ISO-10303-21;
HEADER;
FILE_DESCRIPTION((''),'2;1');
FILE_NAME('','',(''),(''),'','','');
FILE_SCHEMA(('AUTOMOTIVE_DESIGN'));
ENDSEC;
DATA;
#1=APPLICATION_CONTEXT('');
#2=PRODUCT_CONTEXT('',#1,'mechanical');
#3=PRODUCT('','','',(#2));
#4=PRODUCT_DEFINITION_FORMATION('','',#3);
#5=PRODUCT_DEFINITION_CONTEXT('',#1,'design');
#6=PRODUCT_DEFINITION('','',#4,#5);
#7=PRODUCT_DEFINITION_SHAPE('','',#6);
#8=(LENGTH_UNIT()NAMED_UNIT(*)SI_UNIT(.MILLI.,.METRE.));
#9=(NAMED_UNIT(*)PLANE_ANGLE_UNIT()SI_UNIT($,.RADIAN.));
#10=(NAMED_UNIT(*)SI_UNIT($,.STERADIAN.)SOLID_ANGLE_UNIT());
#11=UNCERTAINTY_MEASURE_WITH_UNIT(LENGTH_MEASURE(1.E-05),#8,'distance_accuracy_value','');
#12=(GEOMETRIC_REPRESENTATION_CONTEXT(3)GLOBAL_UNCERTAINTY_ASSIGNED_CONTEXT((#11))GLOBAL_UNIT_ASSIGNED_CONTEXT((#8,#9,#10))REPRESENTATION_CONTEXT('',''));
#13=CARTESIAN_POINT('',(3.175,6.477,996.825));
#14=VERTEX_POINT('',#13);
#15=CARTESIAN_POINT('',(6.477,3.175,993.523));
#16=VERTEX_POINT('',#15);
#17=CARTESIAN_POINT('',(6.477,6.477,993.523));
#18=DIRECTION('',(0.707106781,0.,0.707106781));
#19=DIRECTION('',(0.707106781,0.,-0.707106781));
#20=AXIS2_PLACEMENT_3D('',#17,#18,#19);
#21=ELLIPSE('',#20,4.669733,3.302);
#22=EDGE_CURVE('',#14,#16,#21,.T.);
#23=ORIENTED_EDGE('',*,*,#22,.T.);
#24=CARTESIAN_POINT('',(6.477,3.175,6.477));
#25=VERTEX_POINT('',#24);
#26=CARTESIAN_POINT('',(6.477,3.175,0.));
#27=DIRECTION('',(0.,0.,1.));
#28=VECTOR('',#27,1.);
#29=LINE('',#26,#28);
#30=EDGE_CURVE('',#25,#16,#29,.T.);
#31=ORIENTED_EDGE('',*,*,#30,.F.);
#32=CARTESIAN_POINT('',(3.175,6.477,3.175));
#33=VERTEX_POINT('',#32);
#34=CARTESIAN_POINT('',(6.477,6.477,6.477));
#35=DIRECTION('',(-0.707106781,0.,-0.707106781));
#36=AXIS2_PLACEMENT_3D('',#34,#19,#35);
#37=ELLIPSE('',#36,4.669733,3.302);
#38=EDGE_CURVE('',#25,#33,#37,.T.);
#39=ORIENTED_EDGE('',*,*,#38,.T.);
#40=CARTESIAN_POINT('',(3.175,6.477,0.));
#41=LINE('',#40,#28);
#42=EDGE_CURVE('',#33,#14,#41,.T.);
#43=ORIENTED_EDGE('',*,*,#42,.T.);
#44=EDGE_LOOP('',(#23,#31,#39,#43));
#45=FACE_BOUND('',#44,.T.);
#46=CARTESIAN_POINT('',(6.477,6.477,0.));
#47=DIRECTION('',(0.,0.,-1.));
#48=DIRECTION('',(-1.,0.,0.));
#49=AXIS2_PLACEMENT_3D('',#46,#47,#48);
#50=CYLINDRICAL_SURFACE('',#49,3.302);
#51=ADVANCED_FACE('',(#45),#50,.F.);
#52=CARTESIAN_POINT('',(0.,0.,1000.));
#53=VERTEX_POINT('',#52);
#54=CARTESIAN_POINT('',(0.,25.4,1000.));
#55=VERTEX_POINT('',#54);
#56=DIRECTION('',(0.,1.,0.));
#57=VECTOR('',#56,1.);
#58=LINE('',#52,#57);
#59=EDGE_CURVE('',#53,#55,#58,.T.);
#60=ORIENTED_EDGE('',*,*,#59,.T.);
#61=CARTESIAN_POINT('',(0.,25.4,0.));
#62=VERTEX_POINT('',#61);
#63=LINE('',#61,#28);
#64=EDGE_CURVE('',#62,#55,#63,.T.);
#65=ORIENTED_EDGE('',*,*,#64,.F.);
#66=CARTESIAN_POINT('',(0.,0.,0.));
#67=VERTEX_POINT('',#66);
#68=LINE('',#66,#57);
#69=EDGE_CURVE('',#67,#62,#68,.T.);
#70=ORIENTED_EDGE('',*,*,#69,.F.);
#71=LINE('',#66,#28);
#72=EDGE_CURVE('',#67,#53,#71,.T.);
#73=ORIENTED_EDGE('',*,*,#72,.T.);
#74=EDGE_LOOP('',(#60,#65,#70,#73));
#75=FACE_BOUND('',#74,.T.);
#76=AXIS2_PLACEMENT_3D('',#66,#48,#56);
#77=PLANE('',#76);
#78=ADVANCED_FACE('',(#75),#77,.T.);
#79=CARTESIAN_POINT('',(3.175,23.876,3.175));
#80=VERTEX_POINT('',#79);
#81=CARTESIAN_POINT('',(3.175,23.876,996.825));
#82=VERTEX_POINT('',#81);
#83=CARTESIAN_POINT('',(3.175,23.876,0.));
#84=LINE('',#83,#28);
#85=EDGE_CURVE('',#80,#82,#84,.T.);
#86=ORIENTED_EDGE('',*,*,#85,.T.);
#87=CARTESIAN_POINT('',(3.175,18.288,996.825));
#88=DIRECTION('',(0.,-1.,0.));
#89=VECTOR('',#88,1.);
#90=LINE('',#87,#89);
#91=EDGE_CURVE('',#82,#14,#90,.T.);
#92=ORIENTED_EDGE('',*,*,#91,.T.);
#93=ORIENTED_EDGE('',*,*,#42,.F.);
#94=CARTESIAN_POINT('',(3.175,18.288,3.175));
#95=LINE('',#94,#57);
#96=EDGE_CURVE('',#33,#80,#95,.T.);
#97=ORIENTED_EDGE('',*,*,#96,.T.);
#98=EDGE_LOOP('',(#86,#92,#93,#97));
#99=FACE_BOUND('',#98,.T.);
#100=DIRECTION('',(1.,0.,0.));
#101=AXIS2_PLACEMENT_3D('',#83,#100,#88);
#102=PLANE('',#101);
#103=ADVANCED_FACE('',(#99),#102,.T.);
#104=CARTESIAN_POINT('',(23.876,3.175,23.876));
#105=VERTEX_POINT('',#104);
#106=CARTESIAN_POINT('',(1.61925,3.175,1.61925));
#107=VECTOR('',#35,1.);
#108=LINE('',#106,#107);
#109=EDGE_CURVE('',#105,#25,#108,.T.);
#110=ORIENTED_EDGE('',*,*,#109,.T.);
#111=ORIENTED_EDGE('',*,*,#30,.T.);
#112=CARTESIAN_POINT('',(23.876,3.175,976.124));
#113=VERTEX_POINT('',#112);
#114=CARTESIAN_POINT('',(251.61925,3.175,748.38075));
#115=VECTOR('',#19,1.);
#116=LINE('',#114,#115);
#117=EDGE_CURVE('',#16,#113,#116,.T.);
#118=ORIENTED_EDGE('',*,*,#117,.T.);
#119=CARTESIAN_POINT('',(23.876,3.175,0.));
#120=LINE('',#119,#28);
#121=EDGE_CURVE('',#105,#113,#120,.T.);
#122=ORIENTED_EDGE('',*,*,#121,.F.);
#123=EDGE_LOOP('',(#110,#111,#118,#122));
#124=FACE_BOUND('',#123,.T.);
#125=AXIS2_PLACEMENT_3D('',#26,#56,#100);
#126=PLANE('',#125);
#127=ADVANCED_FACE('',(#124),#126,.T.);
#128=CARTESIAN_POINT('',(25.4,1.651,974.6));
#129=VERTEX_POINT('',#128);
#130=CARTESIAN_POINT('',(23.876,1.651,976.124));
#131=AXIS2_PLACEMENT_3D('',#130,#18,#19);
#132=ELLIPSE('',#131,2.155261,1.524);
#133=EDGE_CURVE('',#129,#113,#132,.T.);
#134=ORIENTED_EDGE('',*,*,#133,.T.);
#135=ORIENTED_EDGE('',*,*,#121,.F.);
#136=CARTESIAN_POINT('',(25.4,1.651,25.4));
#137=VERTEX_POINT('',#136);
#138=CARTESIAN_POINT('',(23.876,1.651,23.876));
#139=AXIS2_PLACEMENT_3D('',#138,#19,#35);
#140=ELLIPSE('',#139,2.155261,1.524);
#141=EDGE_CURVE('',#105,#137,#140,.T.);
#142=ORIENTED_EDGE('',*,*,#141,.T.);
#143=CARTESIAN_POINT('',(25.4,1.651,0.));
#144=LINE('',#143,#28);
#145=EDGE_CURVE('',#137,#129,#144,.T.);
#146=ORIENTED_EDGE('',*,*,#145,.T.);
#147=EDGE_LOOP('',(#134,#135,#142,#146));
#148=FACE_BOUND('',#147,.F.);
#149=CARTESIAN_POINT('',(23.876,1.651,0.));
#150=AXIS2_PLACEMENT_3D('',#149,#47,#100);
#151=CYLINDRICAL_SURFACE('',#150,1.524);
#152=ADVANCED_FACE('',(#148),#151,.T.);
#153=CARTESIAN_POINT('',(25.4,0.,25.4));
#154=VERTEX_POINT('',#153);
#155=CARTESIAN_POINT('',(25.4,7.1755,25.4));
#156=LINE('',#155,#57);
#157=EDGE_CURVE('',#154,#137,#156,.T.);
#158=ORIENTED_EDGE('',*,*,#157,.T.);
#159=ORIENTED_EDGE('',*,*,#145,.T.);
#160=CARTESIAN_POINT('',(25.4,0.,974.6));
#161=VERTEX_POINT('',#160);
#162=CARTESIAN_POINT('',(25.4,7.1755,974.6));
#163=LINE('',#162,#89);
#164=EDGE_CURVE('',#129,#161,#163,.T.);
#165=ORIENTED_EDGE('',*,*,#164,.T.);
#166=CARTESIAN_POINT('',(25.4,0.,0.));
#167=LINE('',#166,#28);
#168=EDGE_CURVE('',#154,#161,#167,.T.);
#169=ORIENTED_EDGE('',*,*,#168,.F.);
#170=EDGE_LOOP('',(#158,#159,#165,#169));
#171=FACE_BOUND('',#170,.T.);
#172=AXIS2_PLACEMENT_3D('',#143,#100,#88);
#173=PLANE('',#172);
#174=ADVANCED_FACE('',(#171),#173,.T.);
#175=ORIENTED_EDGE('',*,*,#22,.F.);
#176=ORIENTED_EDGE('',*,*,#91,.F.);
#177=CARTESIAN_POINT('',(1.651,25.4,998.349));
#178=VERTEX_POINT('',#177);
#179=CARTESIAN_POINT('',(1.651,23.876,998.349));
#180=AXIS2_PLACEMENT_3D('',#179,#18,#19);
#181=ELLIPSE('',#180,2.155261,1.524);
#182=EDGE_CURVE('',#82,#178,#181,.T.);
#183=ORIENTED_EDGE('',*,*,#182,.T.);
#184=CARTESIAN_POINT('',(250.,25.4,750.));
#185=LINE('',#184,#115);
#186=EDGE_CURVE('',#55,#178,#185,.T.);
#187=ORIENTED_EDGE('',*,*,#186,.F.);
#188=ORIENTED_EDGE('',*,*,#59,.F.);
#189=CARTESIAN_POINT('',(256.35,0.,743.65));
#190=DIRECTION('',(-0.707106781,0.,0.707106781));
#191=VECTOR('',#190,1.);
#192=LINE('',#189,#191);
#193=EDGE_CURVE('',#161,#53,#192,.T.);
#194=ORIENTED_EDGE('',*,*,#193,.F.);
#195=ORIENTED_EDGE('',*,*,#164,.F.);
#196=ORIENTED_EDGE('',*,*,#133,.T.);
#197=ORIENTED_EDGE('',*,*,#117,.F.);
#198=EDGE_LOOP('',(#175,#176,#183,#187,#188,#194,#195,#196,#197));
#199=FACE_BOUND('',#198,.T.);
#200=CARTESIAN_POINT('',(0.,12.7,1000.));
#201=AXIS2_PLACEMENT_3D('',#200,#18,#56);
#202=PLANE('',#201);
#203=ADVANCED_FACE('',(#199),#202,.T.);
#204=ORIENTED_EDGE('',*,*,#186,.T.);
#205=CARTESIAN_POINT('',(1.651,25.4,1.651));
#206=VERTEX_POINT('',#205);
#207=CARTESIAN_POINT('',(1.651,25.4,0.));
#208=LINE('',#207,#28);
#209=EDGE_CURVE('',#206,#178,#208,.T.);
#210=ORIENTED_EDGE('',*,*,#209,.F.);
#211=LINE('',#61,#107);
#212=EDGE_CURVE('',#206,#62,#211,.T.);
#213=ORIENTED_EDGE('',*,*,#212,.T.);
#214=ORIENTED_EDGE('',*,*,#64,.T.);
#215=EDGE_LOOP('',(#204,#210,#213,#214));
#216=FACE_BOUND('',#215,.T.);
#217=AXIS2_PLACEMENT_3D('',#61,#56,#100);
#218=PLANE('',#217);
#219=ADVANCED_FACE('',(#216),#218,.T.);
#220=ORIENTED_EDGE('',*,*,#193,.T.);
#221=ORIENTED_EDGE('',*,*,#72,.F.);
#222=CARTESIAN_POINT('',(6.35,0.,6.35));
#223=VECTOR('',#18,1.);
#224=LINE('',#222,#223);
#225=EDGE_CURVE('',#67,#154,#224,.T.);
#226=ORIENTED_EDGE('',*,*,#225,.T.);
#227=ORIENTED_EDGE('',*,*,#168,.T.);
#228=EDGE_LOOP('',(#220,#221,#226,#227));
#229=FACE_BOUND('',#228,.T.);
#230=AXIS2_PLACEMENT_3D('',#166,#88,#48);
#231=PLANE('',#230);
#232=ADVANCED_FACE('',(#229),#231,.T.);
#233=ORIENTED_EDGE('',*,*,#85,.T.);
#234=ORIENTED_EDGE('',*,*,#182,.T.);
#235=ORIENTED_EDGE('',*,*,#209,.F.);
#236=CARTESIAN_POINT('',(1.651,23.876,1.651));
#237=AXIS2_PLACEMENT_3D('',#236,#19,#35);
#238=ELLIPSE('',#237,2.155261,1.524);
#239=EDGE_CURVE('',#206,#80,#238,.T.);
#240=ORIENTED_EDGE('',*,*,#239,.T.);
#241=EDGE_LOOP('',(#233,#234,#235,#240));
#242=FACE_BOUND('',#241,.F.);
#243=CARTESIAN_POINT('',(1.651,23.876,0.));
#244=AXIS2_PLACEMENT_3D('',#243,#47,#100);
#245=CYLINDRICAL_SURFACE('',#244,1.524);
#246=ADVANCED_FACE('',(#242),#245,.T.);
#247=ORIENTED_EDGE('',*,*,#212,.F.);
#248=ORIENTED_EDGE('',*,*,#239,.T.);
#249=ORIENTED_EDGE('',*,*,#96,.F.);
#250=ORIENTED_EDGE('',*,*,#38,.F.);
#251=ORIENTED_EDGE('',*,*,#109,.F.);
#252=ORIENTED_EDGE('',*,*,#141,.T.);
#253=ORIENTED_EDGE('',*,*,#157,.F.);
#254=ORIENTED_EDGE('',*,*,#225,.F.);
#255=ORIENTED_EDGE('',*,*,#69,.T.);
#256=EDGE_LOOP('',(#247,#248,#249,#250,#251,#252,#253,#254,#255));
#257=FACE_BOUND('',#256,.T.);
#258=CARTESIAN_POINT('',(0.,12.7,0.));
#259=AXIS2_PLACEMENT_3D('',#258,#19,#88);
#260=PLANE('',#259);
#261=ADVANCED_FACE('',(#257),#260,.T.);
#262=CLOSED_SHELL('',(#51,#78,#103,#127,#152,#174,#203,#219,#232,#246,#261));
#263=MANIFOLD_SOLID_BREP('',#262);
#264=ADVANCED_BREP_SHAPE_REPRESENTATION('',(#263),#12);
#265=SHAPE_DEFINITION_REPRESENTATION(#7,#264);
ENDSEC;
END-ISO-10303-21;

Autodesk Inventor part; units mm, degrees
ref_plane "Start Plane" through (0, 0, 0) normal (0, 0, 1) x (1, 0, 0)
ref_plane "End Plane" through (0, 0, 1000) normal (0, 0, 1) x (1, 0, 0)
sketch "Sketch" plane through (0, 0, 0) normal (0, 0, 1) x (1, 0, 0)
  line L0 (25.4, 0) -> (0, 0)
  line L1 (0, 0) -> (0, 25.4)
  line L2 (0, 25.4) -> (1.651, 25.4)
  line L3 (3.175, 23.876) -> (3.175, 6.477)
  line L4 (6.477, 3.175) -> (23.876, 3.175)
  line L5 (25.4, 1.651) -> (25.4, 0)
  line L6 (0, -11.0414) -> (0, 31.5385) construction
  line L7 (-11.0414, 0) -> (31.5385, 0) construction
  arc A0 (3.175, 6.477) -> (6.477, 3.175) centre (6.477, 6.477) ccw
  arc A1 (3.175, 23.876) -> (1.651, 25.4) centre (1.651, 23.876) ccw
  arc A2 (25.4, 1.651) -> (23.876, 3.175) centre (23.876, 1.651) ccw
  line L8 (0, 40.0545) -> (0, -19.5574) construction
  line L9 (-19.5574, 0) -> (40.0545, 0) construction
  point P0 (3.175, 25.4)
  point P1 (3.175, 3.175)
  point P2 (25.4, 3.175)
  dimension "d0" = 25.4
  dimension "d1" = 25.4
  dimension "d2" = 3.175
  dimension "d3" = 3.175
  dimension "d10" = 0
  dimension "d11" = 0
  dimension "d14" = 3.302
  dimension "d15" = 1.524
extrude "Body" add sketch "Sketch" along normal up to surface (1000 mm away) from surface at 0
sketch "Sketch3" plane through (0, 0, 0) normal (0, 0, 1) x (1, 0, 0)
  line L0 (0, 0) -> (10, 0)
ref_plane "Work Plane3" through (0, 0, 0) normal (0, -1, 0) x (1, 0, 0)
ref_plane "Work Plane4" through (0, 12.7, 1000) normal (0.7071, 0, 0.7071) x (0.7071, 0, -0.7071)
split "Split1" plane through (0, 12.7, 1000) removes the side toward (0.7071, 0, 0.7071)
ref_plane "Work Plane5" through (0, 12.7, 0) normal (0.7071, 0, -0.7071) x (-0.7071, 0, -0.7071)
split "Split2" plane through (0, 12.7, 0) removes the side toward (0.7071, 0, -0.7071)
sketch "Sketch4" plane through (0, 0, 0) normal (0, -1, 0) x (1, 0, 0)
  line L0 (-2, 0) -> (12, 0) projected
  line L1 (-2, 1000) -> (12, 1000) projected
  dimension "d17" = 1000
equation "\"d0\" = G_H"
equation "\"d1\" = G_H"
equation "\"d2\" = G_T"
equation "\"d3\" = G_T"
equation "\"d14\" = G_IR"
equation "\"d15\" = G_ER"
equation "\"d4\" = G_L"
equation "\"G_H\" = 25.4"
equation "\"G_T\" = 3.175"
equation "\"G_ER\" = 1.524"
equation "\"G_IR\" = 3.302"
equation "\"G_L\" = d17"
equation "\"ex\" = 0"
equation "\"G_OFFSET_START\" = 0"
equation "\"G_OFFSET_END\" = 0"
properties part number "AISC - L 1 x 1 x 1/8 - 39.37" material "Steel, Mild"
